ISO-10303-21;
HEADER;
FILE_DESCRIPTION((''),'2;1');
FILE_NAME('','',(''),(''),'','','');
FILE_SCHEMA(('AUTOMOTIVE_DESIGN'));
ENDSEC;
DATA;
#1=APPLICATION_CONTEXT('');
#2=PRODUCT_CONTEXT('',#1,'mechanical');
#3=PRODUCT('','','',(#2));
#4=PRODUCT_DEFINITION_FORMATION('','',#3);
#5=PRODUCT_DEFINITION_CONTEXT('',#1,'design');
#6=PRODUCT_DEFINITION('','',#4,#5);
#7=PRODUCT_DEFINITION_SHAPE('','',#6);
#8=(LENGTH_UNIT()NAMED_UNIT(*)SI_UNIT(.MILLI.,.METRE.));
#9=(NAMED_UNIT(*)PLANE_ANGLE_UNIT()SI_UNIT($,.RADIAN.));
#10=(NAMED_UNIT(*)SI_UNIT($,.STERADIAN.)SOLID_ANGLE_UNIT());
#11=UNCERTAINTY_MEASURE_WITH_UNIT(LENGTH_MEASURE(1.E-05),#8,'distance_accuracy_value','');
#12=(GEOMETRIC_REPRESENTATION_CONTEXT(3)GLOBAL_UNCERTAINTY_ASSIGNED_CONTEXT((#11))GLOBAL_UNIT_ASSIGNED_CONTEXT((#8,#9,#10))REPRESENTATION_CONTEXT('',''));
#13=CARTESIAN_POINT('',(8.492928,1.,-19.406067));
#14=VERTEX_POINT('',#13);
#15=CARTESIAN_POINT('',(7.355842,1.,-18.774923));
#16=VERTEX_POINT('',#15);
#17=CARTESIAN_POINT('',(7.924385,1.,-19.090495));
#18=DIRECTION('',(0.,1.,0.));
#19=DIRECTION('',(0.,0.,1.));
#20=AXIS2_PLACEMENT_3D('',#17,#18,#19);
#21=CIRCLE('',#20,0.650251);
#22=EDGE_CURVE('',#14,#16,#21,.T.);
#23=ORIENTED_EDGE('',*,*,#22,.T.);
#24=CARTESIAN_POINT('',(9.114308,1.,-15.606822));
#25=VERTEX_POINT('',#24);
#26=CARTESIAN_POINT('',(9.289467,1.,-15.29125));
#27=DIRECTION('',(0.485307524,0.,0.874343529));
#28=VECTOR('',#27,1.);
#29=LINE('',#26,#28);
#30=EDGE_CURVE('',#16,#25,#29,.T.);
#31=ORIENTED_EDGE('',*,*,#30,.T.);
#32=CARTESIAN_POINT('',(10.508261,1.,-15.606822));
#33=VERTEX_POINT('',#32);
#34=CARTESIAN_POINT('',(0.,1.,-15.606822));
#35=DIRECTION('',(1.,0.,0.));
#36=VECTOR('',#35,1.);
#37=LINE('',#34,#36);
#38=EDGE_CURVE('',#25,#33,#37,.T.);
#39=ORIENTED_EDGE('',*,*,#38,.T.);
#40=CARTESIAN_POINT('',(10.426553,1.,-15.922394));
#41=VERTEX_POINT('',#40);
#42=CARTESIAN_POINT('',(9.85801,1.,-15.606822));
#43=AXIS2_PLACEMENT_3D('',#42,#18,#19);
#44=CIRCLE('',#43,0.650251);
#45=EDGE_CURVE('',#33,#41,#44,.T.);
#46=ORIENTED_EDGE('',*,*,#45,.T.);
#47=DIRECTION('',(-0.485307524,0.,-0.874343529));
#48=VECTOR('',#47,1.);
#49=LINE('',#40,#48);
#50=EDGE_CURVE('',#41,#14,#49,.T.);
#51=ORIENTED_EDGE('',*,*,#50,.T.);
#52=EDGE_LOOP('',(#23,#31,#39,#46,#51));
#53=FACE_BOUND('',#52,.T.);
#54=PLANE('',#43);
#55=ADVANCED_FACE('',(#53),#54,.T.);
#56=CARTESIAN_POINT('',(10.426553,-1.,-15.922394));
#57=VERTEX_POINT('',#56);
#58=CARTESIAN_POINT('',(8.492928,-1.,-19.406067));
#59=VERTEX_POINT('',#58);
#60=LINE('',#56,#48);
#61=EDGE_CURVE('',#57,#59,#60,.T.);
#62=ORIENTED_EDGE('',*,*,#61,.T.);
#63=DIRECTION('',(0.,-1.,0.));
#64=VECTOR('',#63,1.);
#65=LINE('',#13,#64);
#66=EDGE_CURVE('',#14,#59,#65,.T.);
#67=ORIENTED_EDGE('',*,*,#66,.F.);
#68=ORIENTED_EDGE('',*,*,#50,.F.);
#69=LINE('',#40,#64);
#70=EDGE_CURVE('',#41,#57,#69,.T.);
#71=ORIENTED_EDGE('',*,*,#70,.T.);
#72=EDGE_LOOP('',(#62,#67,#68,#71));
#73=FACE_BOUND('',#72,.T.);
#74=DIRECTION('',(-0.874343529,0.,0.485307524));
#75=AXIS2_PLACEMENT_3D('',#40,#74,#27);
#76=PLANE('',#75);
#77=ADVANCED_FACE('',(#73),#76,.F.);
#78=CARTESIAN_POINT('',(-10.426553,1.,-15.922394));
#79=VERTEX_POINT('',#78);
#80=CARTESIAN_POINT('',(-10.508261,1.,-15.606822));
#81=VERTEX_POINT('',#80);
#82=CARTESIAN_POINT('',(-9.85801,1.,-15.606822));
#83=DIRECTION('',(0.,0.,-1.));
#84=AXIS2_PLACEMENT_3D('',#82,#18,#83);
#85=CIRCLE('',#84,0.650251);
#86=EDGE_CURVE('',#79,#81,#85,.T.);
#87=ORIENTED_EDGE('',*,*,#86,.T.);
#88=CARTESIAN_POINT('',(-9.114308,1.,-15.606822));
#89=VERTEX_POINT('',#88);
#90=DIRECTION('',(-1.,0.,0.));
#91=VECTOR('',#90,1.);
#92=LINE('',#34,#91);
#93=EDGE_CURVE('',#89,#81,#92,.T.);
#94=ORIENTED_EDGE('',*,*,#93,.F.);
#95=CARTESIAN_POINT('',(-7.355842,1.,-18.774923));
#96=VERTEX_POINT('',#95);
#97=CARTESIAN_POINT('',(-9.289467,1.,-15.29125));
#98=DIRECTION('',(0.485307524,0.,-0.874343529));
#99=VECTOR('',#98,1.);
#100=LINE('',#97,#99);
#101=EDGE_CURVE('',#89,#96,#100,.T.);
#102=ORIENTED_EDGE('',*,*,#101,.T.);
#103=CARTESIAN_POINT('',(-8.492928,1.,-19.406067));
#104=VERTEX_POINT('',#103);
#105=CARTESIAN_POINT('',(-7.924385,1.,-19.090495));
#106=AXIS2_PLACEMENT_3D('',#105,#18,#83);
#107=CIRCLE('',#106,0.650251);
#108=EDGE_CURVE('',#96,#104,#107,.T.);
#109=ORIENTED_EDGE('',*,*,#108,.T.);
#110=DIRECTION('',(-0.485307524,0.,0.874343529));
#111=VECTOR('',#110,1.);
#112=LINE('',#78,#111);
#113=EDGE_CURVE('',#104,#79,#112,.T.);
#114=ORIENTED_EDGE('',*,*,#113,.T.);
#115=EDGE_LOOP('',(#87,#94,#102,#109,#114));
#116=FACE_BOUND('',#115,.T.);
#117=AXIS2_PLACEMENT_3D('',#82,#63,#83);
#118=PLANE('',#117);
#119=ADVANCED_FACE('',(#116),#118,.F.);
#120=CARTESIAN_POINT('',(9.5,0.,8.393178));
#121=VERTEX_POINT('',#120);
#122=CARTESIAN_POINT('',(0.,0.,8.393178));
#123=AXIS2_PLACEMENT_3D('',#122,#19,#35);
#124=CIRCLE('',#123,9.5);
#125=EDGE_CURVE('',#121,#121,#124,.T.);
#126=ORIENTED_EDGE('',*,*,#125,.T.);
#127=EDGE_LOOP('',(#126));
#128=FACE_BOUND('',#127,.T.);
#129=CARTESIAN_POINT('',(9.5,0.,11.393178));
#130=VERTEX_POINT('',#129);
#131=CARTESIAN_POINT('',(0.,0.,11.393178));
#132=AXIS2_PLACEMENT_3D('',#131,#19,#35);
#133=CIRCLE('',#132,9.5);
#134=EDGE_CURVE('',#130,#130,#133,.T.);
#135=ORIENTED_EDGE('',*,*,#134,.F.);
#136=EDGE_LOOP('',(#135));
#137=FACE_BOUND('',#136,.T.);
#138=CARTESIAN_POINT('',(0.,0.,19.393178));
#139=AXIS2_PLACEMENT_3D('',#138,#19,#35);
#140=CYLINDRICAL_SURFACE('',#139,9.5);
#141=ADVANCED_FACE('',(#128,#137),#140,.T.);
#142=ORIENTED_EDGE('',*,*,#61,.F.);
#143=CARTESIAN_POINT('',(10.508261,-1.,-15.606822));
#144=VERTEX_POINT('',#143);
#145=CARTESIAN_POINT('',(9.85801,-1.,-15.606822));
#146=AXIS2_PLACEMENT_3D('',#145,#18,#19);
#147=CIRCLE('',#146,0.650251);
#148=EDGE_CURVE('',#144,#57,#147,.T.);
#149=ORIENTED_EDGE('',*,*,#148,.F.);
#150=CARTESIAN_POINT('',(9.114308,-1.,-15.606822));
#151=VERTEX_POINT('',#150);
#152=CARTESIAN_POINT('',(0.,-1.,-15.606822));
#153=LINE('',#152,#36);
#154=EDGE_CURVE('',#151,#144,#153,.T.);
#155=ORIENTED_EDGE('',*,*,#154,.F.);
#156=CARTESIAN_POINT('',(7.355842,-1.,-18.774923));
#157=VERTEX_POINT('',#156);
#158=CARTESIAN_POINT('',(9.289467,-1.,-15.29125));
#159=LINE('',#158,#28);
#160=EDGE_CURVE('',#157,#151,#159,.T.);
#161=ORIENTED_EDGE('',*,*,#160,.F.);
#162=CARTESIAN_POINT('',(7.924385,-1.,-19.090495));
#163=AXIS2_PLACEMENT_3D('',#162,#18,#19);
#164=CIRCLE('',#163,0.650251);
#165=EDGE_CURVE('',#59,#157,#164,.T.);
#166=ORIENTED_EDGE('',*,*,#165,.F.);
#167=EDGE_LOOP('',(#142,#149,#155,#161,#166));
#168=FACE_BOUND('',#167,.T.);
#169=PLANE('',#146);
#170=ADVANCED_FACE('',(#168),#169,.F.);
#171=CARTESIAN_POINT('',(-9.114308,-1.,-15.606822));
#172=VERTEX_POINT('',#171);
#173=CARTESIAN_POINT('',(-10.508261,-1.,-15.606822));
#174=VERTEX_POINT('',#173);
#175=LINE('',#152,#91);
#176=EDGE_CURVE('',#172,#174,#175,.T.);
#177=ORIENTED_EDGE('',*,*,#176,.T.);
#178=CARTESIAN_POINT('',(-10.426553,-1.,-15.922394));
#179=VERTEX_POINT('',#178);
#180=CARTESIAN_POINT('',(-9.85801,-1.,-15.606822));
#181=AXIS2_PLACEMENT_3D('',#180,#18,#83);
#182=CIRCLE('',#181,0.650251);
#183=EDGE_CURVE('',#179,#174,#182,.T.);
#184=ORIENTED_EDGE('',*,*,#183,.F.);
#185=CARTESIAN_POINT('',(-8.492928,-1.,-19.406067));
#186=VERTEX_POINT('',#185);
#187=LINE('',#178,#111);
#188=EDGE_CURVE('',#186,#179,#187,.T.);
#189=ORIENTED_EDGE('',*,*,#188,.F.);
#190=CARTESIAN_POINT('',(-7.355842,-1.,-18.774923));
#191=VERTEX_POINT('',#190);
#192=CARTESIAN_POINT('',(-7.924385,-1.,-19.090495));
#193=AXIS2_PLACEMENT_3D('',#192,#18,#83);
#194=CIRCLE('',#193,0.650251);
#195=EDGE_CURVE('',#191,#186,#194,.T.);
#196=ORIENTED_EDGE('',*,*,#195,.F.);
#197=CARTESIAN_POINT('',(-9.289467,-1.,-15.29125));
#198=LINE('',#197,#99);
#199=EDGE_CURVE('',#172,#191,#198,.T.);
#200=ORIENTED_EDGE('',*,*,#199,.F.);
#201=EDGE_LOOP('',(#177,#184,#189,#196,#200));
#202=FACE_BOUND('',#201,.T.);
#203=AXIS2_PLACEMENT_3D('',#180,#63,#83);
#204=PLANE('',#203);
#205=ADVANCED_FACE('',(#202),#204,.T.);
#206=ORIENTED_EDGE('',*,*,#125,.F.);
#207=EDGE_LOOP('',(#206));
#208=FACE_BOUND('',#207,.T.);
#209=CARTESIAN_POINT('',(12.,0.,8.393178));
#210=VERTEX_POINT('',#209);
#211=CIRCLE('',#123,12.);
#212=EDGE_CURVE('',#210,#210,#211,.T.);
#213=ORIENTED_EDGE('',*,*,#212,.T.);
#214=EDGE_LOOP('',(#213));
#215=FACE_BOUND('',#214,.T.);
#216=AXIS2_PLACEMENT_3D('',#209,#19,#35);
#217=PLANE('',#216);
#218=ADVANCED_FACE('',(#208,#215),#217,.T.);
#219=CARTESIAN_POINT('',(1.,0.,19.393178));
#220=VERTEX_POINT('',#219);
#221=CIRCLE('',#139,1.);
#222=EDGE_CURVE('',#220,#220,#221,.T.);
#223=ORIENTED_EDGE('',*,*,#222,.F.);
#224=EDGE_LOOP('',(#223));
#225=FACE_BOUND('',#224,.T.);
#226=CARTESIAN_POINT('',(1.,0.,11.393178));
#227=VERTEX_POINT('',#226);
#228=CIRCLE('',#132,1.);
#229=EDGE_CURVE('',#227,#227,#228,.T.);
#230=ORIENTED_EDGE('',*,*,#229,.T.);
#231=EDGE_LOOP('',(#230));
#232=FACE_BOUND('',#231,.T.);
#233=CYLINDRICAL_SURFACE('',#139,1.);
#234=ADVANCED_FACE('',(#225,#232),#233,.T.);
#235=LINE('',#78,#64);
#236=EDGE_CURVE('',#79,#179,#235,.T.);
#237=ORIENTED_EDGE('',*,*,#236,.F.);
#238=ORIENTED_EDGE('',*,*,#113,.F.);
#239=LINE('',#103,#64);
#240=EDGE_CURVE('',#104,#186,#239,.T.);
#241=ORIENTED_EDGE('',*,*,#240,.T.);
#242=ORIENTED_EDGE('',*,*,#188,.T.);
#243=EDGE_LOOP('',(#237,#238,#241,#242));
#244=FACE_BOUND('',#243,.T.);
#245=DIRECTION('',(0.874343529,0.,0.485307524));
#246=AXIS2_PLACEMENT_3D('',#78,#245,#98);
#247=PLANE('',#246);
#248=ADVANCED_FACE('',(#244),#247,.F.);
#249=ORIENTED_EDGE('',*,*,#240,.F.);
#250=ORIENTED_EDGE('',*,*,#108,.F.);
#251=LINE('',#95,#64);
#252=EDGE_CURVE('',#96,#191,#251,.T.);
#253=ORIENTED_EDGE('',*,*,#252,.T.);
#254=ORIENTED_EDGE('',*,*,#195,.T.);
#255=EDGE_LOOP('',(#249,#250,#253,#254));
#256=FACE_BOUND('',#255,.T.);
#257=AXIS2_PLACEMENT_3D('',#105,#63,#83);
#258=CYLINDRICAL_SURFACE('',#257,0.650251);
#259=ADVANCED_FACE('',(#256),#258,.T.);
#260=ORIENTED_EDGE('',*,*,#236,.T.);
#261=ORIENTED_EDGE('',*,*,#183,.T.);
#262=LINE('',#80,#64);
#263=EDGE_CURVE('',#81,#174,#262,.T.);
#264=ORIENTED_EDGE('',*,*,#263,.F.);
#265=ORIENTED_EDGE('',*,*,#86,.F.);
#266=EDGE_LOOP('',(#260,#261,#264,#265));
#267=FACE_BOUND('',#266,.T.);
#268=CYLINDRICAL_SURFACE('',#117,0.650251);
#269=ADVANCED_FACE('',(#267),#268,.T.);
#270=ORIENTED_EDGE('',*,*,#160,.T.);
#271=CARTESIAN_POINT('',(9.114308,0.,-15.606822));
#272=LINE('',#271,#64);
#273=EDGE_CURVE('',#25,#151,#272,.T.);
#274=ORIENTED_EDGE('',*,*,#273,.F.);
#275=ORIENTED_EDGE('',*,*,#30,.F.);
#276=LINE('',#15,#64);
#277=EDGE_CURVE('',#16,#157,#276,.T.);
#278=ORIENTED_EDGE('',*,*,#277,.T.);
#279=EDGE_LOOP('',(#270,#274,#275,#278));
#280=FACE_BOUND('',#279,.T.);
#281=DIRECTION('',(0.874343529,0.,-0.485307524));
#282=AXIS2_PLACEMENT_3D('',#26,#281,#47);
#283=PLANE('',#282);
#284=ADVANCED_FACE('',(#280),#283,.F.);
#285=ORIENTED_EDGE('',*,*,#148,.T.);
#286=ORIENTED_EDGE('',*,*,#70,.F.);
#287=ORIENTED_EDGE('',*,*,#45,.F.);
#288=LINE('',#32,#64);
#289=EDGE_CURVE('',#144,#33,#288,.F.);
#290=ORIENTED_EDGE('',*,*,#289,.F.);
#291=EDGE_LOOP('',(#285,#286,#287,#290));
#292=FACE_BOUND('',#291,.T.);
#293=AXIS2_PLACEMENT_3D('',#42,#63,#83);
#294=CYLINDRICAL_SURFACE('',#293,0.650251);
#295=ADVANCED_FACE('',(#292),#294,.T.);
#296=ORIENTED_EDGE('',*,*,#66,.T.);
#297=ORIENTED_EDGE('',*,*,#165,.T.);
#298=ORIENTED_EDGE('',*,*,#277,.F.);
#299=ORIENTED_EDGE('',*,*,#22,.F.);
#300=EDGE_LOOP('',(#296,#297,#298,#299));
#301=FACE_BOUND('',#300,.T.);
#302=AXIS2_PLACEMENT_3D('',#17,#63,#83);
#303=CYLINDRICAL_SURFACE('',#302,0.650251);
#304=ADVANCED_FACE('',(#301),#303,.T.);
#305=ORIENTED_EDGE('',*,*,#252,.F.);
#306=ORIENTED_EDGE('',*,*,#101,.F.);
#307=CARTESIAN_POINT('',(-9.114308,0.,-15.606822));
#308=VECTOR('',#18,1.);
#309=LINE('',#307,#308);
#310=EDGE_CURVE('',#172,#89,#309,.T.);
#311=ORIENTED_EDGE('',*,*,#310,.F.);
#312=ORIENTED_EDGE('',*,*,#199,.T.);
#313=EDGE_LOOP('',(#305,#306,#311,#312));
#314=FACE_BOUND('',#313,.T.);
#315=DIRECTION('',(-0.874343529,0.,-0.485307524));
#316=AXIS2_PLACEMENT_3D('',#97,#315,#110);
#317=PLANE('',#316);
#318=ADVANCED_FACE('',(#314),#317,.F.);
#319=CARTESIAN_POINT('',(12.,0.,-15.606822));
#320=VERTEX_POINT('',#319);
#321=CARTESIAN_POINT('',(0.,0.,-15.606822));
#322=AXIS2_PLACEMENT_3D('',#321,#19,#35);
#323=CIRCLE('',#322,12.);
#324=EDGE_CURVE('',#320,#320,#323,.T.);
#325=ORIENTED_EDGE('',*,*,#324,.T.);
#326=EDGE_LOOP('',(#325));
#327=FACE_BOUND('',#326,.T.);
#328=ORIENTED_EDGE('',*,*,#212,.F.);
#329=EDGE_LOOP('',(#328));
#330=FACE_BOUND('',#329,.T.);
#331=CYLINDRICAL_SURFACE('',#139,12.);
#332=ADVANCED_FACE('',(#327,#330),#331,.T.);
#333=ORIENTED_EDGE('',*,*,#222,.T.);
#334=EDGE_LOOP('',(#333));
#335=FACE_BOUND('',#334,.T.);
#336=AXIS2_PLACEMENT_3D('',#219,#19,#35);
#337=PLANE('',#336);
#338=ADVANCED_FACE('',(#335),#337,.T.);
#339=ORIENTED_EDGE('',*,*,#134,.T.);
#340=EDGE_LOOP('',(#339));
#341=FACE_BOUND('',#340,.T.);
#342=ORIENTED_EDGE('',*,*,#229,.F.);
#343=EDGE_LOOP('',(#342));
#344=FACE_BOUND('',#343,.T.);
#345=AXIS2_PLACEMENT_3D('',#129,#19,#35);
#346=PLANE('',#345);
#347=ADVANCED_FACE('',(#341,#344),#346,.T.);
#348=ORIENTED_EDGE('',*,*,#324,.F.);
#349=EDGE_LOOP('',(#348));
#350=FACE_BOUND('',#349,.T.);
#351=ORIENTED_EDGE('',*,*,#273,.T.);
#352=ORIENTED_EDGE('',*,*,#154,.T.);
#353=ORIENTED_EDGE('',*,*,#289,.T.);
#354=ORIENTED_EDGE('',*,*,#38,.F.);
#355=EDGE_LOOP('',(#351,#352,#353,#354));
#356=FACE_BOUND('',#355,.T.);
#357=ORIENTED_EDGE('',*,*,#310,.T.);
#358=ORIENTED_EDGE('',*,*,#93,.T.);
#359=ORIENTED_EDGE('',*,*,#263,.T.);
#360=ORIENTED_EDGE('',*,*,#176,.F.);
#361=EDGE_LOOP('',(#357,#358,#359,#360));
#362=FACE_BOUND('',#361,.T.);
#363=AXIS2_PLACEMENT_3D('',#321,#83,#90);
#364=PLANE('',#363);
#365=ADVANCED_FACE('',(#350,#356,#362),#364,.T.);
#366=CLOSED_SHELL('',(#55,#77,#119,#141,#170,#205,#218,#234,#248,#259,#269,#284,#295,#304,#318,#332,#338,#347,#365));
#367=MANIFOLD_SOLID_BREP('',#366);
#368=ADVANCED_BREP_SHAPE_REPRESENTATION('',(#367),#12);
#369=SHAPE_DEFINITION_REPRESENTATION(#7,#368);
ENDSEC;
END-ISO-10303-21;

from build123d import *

# Parameters (mm, degrees)
BOSS_EXTRUDE1_DEPTH = 1


with BuildPart() as part:
    # Sketch1 → Revolve1 (revolve)
    with BuildSketch(Plane(origin=(0, 0, 0), x_dir=(1, 0, 0), z_dir=(0, 1, 0))):
        Polygon((0, 15.606821862), (12, 15.606821862), (12, -8.393178138), (9.5, -8.393178138), (9.5, -11.393178138), (1, -11.393178138), (1, -19.393178138), (0, -19.393178138), align=None)
    revolve(axis=Axis((0, 0, 19.393178138), (0, 0, -1)))

    # Sketch3 → Boss-Extrude1 (add, symmetric)
    with BuildSketch(Plane(origin=(0, 0, 0), x_dir=(1, 0, 0), z_dir=(0, 1, 0))):
        with BuildLine():
            Line((9.289467417, 15.291250115), (7.355842044, 18.774923355))
            ThreePointArc((7.355842044, 18.774923355), (7.60881313, 19.659037934), (8.492927709, 19.406066848))
            Line((8.492927709, 19.406066848), (10.426553083, 15.922393608))
            ThreePointArc((10.426553083, 15.922393608), (10.173581996, 15.038279029), (9.289467417, 15.291250115))
        make_face()
        with BuildLine():
            Line((-9.289467417, 15.291250115), (-7.355842044, 18.774923355))
            ThreePointArc((-7.355842044, 18.774923355), (-7.60881313, 19.659037934), (-8.492927709, 19.406066848))
            Line((-8.492927709, 19.406066848), (-10.426553083, 15.922393608))
            ThreePointArc((-10.426553083, 15.922393608), (-10.173581996, 15.038279029), (-9.289467417, 15.291250115))
        make_face()
    extrude(amount=BOSS_EXTRUDE1_DEPTH, both=True)


solid = part.part
